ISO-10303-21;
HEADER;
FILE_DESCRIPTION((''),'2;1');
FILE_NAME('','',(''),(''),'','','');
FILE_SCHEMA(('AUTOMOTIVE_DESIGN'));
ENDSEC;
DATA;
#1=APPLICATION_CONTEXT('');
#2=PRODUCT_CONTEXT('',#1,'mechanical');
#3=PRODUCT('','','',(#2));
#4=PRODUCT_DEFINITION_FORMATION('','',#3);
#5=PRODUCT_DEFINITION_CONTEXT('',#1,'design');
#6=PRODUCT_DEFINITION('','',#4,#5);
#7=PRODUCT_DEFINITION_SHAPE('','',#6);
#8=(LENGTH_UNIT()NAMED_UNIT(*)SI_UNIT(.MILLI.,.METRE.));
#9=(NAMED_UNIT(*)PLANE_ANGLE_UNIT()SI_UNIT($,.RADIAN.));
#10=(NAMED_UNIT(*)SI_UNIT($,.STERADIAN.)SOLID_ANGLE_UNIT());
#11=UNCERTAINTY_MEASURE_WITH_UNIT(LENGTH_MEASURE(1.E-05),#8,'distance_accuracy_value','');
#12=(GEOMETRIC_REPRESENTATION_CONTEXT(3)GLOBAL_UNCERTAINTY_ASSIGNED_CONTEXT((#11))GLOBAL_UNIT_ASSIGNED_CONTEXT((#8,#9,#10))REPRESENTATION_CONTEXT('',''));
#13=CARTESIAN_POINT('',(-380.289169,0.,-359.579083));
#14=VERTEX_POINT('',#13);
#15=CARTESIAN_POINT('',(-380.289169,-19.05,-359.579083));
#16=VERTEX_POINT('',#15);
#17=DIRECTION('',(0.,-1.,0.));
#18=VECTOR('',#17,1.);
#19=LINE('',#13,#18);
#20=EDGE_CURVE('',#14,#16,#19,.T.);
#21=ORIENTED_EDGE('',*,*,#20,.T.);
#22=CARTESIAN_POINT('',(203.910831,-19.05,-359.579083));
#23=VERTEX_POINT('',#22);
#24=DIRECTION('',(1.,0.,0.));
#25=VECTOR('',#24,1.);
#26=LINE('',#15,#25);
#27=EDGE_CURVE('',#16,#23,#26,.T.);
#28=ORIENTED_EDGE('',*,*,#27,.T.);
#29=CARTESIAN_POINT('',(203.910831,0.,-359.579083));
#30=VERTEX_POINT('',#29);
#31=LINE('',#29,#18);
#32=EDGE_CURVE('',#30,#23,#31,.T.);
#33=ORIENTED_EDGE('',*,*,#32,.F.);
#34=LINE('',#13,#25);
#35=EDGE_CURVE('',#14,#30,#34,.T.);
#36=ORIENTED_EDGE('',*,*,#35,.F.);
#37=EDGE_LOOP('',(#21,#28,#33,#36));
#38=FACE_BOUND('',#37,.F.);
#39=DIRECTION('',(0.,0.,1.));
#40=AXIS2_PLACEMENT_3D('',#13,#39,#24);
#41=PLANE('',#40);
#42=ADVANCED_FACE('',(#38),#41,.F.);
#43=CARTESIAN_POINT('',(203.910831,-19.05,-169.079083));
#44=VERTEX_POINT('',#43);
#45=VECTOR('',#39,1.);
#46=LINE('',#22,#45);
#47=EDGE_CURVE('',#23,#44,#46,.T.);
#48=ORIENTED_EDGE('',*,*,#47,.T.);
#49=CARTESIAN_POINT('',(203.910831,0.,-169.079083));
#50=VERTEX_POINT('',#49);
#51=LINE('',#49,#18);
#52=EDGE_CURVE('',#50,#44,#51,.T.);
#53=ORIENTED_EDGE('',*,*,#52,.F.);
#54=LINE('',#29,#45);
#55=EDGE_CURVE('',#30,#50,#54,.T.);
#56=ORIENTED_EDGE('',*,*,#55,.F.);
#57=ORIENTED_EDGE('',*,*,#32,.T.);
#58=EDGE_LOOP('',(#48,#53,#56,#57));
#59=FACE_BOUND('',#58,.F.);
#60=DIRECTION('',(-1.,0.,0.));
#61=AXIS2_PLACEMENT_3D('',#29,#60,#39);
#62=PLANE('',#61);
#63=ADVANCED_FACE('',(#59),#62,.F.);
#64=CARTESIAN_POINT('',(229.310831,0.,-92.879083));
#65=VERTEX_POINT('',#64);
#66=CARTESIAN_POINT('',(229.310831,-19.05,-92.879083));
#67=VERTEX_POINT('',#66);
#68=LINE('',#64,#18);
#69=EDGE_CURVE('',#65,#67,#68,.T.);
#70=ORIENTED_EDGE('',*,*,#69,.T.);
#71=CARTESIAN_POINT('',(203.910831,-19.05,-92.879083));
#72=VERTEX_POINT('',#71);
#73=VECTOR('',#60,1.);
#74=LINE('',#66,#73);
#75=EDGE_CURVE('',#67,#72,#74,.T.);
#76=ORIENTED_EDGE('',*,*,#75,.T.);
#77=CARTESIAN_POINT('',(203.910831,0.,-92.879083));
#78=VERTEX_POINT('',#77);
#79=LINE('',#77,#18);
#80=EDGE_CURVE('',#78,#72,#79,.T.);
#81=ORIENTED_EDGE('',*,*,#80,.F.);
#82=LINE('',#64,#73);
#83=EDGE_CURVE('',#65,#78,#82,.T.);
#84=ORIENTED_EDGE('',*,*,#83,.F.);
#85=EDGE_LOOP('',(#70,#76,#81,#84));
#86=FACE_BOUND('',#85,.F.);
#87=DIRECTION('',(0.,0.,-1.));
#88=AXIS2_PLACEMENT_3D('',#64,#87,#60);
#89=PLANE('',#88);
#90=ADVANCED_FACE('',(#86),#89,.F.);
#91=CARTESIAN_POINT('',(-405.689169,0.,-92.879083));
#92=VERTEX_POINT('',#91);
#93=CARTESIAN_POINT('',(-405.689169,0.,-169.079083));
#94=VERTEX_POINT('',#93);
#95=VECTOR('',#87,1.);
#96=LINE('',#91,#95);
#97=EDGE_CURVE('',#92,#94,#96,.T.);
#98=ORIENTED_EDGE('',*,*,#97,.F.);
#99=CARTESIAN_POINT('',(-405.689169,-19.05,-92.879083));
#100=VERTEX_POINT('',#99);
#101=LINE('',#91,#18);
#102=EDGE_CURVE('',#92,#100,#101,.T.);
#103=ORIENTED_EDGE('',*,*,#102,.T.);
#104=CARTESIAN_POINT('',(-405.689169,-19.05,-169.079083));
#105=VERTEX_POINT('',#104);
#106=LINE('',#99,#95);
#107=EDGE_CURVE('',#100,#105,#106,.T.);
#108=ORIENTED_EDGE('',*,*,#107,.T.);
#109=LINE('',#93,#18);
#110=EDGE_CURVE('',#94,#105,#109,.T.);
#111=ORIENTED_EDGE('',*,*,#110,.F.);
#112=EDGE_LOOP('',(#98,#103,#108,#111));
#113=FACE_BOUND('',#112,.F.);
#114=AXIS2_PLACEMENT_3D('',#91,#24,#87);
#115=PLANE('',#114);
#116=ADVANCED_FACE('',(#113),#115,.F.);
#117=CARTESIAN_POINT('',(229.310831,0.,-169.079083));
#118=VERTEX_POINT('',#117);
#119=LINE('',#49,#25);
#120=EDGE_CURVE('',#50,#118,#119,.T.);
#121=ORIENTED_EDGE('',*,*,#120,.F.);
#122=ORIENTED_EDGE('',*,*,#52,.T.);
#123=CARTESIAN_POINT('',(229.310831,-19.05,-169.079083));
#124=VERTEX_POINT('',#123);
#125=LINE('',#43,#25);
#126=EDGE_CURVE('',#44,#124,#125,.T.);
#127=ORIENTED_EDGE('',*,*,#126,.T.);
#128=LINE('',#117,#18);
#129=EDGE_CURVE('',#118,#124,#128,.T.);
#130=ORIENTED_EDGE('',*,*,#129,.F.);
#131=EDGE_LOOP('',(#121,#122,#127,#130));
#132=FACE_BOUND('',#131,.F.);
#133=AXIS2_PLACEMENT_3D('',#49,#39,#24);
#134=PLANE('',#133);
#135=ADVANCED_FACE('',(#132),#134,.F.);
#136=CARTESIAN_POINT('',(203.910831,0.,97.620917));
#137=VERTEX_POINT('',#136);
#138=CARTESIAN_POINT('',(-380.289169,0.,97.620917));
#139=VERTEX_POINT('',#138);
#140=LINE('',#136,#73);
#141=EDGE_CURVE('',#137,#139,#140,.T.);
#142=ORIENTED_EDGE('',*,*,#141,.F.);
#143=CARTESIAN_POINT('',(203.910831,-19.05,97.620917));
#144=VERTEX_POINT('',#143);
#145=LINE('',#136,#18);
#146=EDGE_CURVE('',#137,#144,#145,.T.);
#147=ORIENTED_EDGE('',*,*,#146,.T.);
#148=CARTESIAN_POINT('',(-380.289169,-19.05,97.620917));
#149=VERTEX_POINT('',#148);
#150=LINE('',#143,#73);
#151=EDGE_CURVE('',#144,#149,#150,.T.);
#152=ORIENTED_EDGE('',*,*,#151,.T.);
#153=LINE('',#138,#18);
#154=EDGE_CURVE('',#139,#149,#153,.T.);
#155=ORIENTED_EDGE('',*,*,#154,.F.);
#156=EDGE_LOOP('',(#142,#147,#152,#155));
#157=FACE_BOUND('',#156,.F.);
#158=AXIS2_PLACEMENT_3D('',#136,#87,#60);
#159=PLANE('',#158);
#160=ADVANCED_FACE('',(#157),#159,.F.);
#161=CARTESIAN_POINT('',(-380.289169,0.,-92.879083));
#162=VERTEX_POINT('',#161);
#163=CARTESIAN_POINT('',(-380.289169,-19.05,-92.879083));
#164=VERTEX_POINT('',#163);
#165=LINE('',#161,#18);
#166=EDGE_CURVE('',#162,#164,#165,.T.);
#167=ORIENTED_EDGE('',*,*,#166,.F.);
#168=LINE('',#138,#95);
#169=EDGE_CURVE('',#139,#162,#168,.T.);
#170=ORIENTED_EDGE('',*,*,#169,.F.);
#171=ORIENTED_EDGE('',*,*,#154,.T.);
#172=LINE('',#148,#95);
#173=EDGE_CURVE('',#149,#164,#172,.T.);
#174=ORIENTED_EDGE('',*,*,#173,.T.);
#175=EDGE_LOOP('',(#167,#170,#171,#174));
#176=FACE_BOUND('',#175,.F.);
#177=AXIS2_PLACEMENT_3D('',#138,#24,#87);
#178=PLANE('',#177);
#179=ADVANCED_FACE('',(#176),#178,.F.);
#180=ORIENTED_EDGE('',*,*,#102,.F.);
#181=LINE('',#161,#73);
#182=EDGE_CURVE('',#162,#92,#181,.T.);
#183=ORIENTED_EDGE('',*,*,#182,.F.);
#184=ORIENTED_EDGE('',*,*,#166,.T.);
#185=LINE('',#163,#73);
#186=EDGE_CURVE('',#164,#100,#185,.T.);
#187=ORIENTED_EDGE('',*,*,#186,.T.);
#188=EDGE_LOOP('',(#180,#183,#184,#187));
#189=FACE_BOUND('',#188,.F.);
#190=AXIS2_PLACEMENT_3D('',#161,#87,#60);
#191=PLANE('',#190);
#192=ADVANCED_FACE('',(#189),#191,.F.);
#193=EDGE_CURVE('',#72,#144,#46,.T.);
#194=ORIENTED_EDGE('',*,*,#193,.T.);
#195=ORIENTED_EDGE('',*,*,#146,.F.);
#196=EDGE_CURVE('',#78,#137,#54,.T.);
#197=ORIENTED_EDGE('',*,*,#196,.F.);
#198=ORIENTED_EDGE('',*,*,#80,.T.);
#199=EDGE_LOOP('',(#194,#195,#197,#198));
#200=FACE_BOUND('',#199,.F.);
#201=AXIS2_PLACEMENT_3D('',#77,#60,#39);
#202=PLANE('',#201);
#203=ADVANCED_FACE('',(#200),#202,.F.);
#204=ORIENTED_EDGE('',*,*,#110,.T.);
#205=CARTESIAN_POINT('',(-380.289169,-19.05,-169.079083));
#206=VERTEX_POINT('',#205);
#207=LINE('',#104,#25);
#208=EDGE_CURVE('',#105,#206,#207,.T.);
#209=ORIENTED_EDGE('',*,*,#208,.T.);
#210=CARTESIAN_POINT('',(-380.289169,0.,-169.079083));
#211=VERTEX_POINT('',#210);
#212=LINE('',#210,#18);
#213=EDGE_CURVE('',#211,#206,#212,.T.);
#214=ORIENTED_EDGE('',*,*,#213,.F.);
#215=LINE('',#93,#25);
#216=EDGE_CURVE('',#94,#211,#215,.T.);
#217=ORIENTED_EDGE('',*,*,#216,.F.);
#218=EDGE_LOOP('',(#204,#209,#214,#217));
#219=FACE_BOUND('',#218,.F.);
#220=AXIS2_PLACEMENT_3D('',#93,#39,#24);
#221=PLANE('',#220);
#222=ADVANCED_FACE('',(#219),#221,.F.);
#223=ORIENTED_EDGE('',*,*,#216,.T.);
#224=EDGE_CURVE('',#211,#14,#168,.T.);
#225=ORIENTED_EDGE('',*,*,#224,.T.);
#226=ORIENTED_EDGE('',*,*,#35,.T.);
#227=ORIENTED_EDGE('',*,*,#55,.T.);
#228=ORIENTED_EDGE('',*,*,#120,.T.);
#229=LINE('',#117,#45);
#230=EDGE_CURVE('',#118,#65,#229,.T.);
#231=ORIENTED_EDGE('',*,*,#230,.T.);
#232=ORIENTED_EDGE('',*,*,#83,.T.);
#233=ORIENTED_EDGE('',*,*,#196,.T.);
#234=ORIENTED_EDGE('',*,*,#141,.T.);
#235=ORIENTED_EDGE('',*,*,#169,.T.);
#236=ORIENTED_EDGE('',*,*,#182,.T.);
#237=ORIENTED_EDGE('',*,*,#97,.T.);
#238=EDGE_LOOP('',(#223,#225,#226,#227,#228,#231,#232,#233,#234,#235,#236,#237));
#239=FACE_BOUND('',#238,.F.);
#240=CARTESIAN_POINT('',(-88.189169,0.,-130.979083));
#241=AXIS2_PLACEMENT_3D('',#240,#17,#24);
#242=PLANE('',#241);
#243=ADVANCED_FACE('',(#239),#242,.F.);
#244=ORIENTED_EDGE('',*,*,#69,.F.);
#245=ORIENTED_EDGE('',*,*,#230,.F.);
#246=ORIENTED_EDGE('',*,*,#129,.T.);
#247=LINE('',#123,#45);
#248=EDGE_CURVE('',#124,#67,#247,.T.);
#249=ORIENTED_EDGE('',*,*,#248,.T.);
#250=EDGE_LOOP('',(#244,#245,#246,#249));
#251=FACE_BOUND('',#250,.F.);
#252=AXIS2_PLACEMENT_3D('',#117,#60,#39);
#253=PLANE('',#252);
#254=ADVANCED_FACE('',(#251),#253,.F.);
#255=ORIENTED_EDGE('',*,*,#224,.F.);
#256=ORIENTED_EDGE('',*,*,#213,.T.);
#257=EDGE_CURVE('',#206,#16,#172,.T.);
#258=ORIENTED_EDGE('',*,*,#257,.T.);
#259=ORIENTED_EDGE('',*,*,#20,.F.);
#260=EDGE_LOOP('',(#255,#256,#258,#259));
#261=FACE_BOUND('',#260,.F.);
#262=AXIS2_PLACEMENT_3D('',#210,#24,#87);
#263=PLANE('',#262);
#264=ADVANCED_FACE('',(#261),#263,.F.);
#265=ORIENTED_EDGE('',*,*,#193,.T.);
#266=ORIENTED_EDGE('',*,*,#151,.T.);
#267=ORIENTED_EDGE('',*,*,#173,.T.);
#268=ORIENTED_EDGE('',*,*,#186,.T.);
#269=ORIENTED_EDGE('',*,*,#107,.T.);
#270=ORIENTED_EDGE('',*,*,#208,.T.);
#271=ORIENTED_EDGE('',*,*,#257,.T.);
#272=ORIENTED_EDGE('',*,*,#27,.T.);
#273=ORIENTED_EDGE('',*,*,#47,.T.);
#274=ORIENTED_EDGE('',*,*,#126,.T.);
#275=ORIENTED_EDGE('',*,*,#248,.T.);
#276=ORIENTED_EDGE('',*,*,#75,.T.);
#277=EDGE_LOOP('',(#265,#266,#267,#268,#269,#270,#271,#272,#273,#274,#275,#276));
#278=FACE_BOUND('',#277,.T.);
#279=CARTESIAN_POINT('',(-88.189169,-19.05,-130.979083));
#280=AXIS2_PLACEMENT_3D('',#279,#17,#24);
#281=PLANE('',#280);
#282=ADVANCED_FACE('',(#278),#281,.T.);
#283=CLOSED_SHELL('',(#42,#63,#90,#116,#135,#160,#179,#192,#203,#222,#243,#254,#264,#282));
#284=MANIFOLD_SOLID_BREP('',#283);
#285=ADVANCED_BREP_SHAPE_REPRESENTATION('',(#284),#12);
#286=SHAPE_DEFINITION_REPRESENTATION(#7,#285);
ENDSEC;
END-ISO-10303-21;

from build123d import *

# Parameters (mm, degrees)
F1_DEPTH = 19.05


with BuildPart() as f1:
    # F0 (on Front) → F1 (new body)
    with BuildSketch(Plane.XZ):
        Polygon((203.910831, 97.620917), (-380.289169, 97.620917), (-380.289169, -92.879083), (-380.289169, -169.079083), (-380.289169, -359.579083), (203.910831, -359.579083), (203.910831, -169.079083), (203.910831, -92.879083), align=None)
        Polygon((-380.289169, -169.079083), (-380.289169, -92.879083), (-405.689169, -92.879083), (-405.689169, -130.979083), (-405.689169, -169.079083), align=None)
        Polygon((229.310831, -92.879083), (203.910831, -92.879083), (203.910831, -169.079083), (229.310831, -169.079083), (229.310831, -130.979083), align=None)
    extrude(amount=F1_DEPTH)


solid = f1.part
